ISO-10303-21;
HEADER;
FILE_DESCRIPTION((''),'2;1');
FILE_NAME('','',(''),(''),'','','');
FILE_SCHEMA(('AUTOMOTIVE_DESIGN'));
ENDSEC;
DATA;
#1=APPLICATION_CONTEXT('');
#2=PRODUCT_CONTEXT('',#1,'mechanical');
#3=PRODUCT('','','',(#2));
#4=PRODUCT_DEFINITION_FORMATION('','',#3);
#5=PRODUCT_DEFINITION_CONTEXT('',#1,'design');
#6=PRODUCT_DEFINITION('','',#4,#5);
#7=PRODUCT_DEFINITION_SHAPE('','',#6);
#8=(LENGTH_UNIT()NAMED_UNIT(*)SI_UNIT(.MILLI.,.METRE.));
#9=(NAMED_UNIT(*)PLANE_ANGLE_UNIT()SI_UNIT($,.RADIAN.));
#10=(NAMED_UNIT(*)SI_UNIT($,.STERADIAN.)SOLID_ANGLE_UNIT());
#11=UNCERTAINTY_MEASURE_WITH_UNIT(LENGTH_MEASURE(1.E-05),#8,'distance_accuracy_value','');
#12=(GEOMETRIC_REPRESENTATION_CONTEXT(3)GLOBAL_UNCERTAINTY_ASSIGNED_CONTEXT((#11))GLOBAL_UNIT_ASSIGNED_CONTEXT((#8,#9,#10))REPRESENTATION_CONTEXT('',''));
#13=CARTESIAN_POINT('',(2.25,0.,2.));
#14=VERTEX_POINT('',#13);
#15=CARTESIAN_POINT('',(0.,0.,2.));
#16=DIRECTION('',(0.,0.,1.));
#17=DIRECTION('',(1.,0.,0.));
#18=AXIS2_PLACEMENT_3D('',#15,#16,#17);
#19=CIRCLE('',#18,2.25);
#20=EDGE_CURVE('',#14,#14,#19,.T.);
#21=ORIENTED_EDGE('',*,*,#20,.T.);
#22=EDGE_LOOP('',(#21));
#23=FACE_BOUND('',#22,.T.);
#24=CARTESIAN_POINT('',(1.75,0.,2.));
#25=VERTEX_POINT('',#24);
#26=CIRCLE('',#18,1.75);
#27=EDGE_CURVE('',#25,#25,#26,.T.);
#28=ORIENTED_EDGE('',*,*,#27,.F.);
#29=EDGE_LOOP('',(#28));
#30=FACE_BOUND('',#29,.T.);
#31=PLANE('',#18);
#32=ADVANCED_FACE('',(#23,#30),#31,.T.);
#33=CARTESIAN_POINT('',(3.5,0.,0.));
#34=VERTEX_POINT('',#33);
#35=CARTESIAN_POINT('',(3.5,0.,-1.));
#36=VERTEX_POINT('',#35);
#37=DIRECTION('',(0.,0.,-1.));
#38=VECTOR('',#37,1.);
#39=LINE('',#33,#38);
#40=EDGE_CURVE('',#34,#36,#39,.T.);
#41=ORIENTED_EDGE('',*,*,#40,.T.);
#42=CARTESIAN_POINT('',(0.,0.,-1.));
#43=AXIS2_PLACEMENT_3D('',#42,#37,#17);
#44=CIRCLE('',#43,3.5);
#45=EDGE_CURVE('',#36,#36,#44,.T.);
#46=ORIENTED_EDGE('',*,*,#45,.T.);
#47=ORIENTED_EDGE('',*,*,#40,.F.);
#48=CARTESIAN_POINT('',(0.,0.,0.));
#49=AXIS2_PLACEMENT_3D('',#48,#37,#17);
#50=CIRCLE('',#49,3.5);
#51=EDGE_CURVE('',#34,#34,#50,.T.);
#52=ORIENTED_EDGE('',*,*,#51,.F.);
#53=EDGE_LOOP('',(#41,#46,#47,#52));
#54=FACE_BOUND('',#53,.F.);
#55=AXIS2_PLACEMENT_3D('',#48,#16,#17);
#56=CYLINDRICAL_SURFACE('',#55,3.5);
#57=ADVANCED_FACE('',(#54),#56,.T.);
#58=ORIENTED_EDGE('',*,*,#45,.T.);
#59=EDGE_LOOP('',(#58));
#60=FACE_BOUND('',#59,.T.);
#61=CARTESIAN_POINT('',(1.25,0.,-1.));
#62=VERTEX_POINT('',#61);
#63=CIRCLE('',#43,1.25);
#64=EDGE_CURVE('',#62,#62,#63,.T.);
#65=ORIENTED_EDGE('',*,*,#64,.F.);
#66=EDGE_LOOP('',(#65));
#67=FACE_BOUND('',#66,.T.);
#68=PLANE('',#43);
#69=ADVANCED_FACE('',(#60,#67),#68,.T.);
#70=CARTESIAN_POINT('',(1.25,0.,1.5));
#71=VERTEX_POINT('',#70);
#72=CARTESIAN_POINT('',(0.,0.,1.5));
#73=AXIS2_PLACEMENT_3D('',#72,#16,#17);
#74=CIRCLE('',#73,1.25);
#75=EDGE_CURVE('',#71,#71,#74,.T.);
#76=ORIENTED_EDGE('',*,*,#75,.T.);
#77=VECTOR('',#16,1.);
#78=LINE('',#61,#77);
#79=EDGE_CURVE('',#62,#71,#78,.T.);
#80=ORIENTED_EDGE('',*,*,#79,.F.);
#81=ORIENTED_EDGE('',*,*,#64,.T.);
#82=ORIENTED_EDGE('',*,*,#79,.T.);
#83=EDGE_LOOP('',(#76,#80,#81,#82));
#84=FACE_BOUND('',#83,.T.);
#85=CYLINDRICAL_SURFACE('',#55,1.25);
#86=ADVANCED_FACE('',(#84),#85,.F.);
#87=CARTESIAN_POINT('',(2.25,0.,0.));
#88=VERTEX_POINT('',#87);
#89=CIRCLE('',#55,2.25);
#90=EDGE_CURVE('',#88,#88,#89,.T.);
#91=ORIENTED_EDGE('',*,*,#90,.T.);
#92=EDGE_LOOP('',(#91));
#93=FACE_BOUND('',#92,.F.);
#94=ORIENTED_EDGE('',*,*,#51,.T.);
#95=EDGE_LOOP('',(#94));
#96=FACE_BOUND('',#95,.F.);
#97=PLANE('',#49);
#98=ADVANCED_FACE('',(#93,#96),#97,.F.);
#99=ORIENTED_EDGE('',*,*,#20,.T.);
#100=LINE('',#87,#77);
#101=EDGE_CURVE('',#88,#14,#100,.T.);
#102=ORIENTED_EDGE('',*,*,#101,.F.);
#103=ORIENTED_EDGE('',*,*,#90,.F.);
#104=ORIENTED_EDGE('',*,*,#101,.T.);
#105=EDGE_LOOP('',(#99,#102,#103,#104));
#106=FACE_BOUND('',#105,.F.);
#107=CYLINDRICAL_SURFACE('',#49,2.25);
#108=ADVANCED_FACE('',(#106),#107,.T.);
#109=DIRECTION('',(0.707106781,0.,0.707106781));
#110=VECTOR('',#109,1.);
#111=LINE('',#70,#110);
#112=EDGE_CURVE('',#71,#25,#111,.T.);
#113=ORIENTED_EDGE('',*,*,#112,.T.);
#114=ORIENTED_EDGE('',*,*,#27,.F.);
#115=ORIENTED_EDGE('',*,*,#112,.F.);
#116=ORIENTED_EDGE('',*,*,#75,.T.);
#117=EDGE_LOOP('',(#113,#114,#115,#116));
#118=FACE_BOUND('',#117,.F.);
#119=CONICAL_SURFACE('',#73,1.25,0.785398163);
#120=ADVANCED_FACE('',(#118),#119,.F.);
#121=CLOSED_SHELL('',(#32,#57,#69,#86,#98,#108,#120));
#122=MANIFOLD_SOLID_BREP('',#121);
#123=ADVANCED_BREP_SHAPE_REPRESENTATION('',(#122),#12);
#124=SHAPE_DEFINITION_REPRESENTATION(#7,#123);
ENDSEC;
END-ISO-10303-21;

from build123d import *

# Parameters (mm, degrees)
F0_R     = 2.25
F0_R_2   = 1.25
F1_DEPTH = 2
F2_SIZE  = 0.5
F3_R     = 3.5
F3_R_2   = 1.25
F4_DEPTH = 1


with BuildPart() as f1:
    # F0 (on Top) → F1 (new body)
    with BuildSketch(Plane.XY):
        Circle(F0_R)
        Circle(F0_R_2, mode=Mode.SUBTRACT)
    extrude(amount=F1_DEPTH)

    # F2
    f2_edges = [f1.edges().sort_by_distance(p)[0] for p in [
        (-1.25, 0, 2),
    ]]
    chamfer(f2_edges, length=F2_SIZE)

    # F3 (on face) → F4 (join)
    with BuildSketch(Plane(origin=(0, 0, 0), x_dir=(1, 0, 0), z_dir=(0, 0, -1))):
        Circle(F3_R)
        Circle(F3_R_2, mode=Mode.SUBTRACT)
    extrude(amount=F4_DEPTH)


solid = f1.part
